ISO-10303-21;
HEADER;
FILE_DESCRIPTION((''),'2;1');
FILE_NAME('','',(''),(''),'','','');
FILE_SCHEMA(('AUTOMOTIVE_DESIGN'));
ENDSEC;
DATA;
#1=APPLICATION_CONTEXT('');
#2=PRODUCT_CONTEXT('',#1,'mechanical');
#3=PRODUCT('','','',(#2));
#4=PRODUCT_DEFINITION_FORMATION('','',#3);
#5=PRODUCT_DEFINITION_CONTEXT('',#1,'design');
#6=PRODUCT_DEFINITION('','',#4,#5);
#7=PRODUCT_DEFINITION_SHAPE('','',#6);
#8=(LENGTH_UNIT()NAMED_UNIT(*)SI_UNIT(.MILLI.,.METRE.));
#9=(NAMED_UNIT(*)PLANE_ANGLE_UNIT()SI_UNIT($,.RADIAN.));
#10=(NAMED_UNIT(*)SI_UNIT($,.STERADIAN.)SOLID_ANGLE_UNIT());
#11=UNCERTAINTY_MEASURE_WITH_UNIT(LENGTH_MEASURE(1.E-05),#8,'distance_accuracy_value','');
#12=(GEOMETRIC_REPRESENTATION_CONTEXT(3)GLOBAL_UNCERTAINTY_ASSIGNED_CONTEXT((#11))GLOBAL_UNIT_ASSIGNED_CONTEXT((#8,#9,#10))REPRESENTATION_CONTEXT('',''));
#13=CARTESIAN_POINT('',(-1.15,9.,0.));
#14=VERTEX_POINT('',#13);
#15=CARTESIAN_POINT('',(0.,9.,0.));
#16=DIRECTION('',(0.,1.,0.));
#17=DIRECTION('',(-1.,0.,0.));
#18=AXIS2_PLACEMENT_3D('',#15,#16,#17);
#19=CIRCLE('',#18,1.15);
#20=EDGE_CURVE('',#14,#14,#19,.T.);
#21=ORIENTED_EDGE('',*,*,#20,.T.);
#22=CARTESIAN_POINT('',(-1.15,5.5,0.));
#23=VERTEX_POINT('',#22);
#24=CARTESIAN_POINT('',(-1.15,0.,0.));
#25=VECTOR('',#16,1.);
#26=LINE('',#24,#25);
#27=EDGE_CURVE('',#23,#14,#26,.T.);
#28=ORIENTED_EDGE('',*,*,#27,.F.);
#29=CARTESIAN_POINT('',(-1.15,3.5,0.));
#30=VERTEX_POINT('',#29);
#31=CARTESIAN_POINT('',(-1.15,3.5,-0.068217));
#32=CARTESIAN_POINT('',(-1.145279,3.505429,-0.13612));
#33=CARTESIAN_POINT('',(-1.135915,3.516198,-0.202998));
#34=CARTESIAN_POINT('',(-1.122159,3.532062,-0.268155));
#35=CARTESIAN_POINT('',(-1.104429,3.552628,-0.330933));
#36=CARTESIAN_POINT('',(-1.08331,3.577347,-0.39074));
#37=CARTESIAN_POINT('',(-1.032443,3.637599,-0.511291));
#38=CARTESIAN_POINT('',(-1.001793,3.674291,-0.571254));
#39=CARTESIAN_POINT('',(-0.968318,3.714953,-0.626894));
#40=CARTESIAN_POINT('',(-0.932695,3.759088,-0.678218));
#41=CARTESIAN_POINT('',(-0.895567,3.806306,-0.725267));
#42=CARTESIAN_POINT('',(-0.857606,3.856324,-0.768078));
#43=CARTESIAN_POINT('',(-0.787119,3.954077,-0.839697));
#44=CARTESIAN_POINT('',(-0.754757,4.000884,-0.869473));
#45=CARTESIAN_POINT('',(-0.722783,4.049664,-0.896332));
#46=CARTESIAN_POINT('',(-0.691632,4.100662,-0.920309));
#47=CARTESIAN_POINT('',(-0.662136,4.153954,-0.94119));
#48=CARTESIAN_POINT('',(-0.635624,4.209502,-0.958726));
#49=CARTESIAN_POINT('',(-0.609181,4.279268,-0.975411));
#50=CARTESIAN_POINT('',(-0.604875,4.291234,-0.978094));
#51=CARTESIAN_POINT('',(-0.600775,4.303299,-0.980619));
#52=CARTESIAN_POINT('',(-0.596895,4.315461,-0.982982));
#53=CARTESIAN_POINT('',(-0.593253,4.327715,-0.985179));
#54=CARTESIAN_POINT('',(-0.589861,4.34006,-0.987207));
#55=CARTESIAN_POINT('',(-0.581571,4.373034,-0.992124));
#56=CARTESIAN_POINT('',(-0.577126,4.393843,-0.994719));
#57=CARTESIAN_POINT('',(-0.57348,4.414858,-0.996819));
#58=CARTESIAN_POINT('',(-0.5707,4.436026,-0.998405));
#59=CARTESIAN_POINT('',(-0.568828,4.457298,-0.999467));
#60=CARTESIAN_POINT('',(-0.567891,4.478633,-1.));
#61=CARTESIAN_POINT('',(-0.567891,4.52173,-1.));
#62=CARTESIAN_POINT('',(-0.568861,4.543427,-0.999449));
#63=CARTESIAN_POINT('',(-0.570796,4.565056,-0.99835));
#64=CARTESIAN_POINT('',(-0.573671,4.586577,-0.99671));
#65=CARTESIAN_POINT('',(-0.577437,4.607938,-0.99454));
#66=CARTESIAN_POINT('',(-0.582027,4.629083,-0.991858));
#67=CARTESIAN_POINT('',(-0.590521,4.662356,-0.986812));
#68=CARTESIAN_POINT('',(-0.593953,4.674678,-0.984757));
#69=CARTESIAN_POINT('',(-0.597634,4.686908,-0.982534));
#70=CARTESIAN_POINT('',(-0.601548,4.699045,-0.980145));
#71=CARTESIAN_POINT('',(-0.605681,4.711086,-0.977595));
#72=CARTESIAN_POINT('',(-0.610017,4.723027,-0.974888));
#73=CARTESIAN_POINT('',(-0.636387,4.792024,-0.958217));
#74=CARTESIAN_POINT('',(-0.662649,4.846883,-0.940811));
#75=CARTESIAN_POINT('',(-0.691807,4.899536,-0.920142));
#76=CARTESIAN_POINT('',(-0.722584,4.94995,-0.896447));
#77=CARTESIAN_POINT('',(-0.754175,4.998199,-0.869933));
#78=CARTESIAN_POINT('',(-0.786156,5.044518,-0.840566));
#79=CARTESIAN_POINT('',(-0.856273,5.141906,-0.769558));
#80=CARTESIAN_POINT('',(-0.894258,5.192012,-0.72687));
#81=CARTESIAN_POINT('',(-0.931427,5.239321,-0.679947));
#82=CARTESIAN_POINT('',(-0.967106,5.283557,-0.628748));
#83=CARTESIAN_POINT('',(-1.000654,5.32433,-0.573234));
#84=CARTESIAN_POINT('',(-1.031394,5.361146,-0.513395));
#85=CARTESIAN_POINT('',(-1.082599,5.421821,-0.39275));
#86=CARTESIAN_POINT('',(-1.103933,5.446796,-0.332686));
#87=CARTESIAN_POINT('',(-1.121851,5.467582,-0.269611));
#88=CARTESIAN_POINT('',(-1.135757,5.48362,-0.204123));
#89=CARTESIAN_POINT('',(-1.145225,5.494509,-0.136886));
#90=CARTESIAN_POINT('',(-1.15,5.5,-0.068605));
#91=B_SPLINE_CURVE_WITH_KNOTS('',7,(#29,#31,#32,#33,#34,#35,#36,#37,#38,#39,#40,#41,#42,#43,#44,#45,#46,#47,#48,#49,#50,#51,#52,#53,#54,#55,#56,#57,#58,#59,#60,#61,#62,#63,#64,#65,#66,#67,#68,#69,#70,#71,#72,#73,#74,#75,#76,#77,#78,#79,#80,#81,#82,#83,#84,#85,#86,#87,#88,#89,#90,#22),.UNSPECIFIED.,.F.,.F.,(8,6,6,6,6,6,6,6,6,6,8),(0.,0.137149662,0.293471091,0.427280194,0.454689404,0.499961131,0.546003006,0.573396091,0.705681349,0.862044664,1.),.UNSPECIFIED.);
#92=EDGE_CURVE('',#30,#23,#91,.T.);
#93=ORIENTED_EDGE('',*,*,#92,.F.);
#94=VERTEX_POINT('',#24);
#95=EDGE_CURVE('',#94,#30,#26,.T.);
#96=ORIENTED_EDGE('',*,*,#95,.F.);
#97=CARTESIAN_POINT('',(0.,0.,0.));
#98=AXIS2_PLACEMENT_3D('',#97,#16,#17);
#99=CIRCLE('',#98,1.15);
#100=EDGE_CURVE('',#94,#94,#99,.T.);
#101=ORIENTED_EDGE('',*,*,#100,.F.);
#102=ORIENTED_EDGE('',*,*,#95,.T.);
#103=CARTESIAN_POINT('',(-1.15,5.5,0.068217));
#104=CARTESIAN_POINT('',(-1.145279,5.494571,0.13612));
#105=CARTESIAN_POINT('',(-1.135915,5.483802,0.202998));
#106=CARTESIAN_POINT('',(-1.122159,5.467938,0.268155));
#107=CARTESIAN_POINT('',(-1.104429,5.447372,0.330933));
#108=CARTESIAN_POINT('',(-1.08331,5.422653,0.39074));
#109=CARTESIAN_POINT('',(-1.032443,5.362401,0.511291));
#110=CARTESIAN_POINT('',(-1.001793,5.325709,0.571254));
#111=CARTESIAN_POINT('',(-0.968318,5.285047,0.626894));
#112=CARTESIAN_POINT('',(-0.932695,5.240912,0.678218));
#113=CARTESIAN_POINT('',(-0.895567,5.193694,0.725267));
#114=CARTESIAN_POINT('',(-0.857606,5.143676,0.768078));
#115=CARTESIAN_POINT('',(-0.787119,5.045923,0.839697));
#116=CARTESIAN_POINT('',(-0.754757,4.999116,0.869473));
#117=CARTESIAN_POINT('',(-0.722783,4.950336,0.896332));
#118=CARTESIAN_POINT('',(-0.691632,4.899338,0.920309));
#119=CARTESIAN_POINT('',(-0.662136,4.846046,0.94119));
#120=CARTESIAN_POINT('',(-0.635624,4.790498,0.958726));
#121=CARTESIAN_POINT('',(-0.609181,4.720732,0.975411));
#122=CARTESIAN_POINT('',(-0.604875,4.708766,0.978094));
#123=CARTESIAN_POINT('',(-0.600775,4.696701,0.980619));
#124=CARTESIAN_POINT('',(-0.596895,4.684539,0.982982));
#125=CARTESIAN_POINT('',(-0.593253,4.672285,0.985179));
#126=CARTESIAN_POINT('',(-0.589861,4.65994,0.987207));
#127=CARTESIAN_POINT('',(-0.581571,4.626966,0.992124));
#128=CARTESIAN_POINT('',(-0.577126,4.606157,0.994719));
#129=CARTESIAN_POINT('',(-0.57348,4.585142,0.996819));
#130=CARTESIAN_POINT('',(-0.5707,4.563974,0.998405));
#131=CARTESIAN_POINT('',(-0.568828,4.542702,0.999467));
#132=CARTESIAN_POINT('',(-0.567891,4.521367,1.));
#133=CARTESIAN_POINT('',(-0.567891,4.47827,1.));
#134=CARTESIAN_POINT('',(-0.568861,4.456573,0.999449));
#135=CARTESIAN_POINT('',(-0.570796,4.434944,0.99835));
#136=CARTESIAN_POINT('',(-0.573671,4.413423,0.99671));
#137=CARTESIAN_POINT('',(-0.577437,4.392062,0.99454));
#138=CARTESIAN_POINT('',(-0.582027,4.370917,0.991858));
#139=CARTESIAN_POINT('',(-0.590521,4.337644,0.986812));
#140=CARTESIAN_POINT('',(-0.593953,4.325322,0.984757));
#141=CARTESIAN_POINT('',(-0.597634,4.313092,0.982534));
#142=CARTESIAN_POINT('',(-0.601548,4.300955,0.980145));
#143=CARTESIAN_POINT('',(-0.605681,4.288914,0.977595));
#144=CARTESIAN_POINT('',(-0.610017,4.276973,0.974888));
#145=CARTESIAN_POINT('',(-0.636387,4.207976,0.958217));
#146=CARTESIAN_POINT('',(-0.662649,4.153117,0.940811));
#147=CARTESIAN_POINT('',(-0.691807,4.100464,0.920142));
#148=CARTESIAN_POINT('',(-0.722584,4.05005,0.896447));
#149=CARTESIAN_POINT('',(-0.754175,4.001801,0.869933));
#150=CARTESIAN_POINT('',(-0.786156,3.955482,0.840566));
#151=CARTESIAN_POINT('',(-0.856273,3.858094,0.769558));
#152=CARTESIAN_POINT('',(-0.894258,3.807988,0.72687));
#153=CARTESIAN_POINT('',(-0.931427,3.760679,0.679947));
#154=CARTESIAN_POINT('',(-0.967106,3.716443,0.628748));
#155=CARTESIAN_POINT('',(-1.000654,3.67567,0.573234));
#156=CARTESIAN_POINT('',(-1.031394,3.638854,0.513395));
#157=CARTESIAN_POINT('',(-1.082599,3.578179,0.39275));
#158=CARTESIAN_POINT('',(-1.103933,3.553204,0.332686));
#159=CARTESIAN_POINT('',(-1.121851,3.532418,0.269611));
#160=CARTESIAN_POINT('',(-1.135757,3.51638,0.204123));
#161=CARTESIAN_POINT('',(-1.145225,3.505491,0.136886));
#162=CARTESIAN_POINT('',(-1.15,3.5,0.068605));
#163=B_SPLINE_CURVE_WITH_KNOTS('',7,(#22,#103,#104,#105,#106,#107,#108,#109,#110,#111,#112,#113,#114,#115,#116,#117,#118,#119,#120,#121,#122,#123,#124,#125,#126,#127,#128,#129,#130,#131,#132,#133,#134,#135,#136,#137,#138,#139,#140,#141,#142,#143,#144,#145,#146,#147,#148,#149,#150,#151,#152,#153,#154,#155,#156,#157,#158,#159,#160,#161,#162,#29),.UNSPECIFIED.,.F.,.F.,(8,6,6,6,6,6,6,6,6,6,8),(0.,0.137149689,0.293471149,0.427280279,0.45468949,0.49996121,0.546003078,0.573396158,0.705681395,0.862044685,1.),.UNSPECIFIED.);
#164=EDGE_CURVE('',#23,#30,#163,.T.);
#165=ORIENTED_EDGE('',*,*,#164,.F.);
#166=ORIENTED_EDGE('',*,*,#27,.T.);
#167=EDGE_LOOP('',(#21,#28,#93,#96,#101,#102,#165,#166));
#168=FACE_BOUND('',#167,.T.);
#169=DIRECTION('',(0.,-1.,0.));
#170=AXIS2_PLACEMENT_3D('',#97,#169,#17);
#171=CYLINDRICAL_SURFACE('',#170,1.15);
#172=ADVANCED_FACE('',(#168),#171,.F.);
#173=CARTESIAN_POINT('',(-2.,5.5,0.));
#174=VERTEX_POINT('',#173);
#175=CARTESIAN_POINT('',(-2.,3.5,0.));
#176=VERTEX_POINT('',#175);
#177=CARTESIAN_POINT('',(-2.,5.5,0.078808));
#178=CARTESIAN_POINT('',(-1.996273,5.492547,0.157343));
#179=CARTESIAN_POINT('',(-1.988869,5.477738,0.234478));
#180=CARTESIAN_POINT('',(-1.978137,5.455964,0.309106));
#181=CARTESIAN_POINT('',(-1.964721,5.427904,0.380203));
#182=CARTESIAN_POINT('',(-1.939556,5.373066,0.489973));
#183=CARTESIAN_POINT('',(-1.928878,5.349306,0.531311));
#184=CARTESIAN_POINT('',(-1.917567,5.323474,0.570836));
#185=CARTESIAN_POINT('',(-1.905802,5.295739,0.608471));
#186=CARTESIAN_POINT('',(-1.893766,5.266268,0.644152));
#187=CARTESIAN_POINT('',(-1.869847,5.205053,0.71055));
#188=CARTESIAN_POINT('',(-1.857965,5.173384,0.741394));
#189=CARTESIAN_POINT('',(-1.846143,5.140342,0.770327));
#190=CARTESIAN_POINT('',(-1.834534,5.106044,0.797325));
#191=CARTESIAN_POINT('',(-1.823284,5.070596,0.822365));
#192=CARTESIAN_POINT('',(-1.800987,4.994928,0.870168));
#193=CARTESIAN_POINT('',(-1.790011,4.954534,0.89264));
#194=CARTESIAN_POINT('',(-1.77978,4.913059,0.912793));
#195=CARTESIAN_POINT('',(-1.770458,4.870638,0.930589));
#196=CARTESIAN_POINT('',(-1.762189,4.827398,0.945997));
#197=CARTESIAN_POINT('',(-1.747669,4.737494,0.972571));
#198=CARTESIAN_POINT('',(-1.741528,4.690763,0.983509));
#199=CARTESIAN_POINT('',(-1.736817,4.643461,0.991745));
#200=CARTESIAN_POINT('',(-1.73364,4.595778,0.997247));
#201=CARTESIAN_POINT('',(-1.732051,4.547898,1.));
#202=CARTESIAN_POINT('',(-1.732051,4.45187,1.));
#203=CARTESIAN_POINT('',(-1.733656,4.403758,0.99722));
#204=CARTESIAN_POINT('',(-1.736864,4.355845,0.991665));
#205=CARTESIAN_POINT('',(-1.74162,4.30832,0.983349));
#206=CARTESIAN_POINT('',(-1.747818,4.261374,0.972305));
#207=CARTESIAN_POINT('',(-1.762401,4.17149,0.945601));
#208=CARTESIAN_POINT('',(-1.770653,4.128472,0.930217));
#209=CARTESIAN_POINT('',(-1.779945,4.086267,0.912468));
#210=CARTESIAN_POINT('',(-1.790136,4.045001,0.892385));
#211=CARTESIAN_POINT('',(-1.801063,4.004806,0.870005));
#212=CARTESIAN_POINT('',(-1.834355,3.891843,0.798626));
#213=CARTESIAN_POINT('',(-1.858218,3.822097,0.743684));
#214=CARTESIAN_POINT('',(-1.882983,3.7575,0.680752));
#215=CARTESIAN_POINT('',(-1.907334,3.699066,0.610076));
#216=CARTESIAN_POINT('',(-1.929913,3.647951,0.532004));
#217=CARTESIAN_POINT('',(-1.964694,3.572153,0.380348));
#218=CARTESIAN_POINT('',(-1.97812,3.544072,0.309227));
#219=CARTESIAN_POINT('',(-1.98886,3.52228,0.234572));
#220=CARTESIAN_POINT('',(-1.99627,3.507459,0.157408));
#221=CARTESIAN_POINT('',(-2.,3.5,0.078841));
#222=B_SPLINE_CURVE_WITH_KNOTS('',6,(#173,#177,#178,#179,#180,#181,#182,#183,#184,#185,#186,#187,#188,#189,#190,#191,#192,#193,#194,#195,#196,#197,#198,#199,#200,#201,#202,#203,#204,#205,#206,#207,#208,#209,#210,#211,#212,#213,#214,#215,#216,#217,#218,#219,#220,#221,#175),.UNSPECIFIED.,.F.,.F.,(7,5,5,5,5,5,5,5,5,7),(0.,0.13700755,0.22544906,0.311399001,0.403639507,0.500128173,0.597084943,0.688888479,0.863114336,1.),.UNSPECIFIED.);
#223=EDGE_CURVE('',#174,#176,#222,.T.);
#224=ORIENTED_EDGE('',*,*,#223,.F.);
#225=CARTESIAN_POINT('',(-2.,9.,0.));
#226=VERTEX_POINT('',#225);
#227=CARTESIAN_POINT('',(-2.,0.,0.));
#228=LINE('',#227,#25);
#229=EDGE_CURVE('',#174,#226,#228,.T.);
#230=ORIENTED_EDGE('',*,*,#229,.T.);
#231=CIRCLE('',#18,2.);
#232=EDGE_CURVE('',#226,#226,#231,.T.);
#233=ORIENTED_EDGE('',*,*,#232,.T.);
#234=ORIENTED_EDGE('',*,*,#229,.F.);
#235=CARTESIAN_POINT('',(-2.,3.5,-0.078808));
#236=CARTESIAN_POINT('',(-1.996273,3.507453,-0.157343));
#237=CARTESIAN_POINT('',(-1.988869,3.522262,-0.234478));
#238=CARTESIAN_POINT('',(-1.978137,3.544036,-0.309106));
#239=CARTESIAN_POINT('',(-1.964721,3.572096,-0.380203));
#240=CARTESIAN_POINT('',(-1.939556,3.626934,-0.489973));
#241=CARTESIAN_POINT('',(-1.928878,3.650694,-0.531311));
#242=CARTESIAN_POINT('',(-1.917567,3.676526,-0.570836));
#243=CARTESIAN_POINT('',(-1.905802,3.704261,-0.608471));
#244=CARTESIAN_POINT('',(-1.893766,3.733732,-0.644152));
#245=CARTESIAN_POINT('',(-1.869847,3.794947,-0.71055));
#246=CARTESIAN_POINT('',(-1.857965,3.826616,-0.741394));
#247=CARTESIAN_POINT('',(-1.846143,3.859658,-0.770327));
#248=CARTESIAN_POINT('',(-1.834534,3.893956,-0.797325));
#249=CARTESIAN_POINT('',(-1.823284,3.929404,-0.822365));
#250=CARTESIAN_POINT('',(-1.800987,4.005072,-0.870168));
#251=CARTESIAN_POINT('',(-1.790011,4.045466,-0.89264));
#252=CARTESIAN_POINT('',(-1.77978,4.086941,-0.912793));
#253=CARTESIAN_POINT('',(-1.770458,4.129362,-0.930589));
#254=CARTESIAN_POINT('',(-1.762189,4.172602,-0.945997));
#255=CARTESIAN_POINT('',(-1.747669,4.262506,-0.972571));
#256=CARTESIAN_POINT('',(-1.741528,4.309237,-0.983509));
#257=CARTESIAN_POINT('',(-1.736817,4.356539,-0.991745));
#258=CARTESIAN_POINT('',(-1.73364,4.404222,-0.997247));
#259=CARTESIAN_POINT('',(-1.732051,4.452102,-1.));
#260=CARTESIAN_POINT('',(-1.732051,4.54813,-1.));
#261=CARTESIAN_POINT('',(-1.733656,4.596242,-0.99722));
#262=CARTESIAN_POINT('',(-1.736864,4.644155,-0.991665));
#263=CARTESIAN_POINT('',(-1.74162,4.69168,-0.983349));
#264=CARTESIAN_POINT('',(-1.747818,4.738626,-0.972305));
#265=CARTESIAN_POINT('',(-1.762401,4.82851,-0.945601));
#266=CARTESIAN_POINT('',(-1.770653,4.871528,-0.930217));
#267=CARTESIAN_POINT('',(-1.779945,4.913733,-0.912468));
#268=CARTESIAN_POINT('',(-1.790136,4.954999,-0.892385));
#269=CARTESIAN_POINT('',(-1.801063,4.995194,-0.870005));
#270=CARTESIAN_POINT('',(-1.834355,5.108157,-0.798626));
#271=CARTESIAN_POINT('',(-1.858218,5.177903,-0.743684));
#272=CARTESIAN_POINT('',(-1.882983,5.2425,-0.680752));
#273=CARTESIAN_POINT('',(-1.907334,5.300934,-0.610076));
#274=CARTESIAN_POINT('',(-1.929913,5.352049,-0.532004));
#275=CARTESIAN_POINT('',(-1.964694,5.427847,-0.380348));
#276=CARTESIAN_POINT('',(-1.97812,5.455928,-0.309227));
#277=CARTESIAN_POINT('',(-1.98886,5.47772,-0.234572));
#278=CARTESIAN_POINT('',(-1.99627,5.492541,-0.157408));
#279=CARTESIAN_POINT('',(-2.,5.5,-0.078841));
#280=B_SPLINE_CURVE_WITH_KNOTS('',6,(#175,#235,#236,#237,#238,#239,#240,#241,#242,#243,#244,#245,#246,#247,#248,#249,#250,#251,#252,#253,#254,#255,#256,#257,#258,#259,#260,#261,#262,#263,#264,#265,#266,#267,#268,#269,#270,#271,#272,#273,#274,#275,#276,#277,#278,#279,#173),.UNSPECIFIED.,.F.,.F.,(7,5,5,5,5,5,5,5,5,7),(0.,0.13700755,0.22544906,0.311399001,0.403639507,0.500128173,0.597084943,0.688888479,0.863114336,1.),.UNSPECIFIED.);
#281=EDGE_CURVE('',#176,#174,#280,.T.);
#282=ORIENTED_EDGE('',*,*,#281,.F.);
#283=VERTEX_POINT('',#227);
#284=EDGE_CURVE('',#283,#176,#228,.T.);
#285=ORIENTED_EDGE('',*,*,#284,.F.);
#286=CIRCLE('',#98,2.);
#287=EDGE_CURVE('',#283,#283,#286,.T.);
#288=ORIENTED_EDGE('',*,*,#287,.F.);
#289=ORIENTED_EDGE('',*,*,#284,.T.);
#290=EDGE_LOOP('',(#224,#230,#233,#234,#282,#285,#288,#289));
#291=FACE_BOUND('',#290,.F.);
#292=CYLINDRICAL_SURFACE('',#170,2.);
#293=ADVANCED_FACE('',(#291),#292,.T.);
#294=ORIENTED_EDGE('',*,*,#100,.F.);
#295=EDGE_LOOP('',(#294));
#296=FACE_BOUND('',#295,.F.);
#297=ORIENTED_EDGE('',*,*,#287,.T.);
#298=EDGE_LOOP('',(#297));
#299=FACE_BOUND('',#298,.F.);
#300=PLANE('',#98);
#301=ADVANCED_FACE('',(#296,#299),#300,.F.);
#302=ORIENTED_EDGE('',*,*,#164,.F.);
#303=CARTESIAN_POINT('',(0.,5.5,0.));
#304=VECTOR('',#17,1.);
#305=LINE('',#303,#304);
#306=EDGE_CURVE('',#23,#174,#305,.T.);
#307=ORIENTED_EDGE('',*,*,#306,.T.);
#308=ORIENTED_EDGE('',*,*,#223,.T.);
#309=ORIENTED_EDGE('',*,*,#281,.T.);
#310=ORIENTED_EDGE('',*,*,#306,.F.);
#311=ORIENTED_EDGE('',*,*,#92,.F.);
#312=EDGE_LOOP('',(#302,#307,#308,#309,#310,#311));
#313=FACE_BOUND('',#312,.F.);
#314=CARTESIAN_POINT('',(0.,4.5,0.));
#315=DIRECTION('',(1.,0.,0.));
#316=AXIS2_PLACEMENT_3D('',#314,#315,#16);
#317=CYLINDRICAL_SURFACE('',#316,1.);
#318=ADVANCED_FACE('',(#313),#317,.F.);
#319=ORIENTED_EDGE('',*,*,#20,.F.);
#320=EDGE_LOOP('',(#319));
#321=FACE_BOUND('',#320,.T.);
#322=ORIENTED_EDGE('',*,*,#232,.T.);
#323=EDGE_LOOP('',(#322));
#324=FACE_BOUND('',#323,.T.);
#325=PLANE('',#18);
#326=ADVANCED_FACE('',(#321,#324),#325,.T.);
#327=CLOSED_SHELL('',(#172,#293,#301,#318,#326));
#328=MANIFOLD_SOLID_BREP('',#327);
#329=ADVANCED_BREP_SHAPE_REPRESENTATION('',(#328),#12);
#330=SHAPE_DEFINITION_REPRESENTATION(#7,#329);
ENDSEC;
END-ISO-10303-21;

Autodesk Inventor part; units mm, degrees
ref_plane "YZ Plane" through (0, 0, 0) normal (1, 0, 0) x (0, 1, 0)
ref_plane "XZ Plane" through (0, 0, 0) normal (0, 1, 0) x (-1, 0, 0)
ref_plane "XY Plane" through (0, 0, 0) normal (0, 0, 1) x (1, 0, 0)
sketch "Sketch1" plane through (0, 0, 0) normal (0, 1, 0) x (-1, 0, 0)
  circle A0 centre (0, 0) radius 2
  circle A1 centre (0, 0) radius 1.15
  dimension "d0" = 4
  dimension "d1" = 2.3
extrude "Extrusion1" add sketch "Sketch1" along normal blind 9
sketch "Sketch4" plane through (0, 0, 0) normal (1, 0, 0) x (0, 1, 0)
  circle A0 centre (4.5, 0) radius 1
  line L0 (0, 2) -> (0, -2) projected
  point P0 (0, 0)
  dimension "d4" = 2
  dimension "d5" = 4.5
extrude "Extrusion2" cut sketch "Sketch4" against normal blind 9
properties part number "moyeu"
